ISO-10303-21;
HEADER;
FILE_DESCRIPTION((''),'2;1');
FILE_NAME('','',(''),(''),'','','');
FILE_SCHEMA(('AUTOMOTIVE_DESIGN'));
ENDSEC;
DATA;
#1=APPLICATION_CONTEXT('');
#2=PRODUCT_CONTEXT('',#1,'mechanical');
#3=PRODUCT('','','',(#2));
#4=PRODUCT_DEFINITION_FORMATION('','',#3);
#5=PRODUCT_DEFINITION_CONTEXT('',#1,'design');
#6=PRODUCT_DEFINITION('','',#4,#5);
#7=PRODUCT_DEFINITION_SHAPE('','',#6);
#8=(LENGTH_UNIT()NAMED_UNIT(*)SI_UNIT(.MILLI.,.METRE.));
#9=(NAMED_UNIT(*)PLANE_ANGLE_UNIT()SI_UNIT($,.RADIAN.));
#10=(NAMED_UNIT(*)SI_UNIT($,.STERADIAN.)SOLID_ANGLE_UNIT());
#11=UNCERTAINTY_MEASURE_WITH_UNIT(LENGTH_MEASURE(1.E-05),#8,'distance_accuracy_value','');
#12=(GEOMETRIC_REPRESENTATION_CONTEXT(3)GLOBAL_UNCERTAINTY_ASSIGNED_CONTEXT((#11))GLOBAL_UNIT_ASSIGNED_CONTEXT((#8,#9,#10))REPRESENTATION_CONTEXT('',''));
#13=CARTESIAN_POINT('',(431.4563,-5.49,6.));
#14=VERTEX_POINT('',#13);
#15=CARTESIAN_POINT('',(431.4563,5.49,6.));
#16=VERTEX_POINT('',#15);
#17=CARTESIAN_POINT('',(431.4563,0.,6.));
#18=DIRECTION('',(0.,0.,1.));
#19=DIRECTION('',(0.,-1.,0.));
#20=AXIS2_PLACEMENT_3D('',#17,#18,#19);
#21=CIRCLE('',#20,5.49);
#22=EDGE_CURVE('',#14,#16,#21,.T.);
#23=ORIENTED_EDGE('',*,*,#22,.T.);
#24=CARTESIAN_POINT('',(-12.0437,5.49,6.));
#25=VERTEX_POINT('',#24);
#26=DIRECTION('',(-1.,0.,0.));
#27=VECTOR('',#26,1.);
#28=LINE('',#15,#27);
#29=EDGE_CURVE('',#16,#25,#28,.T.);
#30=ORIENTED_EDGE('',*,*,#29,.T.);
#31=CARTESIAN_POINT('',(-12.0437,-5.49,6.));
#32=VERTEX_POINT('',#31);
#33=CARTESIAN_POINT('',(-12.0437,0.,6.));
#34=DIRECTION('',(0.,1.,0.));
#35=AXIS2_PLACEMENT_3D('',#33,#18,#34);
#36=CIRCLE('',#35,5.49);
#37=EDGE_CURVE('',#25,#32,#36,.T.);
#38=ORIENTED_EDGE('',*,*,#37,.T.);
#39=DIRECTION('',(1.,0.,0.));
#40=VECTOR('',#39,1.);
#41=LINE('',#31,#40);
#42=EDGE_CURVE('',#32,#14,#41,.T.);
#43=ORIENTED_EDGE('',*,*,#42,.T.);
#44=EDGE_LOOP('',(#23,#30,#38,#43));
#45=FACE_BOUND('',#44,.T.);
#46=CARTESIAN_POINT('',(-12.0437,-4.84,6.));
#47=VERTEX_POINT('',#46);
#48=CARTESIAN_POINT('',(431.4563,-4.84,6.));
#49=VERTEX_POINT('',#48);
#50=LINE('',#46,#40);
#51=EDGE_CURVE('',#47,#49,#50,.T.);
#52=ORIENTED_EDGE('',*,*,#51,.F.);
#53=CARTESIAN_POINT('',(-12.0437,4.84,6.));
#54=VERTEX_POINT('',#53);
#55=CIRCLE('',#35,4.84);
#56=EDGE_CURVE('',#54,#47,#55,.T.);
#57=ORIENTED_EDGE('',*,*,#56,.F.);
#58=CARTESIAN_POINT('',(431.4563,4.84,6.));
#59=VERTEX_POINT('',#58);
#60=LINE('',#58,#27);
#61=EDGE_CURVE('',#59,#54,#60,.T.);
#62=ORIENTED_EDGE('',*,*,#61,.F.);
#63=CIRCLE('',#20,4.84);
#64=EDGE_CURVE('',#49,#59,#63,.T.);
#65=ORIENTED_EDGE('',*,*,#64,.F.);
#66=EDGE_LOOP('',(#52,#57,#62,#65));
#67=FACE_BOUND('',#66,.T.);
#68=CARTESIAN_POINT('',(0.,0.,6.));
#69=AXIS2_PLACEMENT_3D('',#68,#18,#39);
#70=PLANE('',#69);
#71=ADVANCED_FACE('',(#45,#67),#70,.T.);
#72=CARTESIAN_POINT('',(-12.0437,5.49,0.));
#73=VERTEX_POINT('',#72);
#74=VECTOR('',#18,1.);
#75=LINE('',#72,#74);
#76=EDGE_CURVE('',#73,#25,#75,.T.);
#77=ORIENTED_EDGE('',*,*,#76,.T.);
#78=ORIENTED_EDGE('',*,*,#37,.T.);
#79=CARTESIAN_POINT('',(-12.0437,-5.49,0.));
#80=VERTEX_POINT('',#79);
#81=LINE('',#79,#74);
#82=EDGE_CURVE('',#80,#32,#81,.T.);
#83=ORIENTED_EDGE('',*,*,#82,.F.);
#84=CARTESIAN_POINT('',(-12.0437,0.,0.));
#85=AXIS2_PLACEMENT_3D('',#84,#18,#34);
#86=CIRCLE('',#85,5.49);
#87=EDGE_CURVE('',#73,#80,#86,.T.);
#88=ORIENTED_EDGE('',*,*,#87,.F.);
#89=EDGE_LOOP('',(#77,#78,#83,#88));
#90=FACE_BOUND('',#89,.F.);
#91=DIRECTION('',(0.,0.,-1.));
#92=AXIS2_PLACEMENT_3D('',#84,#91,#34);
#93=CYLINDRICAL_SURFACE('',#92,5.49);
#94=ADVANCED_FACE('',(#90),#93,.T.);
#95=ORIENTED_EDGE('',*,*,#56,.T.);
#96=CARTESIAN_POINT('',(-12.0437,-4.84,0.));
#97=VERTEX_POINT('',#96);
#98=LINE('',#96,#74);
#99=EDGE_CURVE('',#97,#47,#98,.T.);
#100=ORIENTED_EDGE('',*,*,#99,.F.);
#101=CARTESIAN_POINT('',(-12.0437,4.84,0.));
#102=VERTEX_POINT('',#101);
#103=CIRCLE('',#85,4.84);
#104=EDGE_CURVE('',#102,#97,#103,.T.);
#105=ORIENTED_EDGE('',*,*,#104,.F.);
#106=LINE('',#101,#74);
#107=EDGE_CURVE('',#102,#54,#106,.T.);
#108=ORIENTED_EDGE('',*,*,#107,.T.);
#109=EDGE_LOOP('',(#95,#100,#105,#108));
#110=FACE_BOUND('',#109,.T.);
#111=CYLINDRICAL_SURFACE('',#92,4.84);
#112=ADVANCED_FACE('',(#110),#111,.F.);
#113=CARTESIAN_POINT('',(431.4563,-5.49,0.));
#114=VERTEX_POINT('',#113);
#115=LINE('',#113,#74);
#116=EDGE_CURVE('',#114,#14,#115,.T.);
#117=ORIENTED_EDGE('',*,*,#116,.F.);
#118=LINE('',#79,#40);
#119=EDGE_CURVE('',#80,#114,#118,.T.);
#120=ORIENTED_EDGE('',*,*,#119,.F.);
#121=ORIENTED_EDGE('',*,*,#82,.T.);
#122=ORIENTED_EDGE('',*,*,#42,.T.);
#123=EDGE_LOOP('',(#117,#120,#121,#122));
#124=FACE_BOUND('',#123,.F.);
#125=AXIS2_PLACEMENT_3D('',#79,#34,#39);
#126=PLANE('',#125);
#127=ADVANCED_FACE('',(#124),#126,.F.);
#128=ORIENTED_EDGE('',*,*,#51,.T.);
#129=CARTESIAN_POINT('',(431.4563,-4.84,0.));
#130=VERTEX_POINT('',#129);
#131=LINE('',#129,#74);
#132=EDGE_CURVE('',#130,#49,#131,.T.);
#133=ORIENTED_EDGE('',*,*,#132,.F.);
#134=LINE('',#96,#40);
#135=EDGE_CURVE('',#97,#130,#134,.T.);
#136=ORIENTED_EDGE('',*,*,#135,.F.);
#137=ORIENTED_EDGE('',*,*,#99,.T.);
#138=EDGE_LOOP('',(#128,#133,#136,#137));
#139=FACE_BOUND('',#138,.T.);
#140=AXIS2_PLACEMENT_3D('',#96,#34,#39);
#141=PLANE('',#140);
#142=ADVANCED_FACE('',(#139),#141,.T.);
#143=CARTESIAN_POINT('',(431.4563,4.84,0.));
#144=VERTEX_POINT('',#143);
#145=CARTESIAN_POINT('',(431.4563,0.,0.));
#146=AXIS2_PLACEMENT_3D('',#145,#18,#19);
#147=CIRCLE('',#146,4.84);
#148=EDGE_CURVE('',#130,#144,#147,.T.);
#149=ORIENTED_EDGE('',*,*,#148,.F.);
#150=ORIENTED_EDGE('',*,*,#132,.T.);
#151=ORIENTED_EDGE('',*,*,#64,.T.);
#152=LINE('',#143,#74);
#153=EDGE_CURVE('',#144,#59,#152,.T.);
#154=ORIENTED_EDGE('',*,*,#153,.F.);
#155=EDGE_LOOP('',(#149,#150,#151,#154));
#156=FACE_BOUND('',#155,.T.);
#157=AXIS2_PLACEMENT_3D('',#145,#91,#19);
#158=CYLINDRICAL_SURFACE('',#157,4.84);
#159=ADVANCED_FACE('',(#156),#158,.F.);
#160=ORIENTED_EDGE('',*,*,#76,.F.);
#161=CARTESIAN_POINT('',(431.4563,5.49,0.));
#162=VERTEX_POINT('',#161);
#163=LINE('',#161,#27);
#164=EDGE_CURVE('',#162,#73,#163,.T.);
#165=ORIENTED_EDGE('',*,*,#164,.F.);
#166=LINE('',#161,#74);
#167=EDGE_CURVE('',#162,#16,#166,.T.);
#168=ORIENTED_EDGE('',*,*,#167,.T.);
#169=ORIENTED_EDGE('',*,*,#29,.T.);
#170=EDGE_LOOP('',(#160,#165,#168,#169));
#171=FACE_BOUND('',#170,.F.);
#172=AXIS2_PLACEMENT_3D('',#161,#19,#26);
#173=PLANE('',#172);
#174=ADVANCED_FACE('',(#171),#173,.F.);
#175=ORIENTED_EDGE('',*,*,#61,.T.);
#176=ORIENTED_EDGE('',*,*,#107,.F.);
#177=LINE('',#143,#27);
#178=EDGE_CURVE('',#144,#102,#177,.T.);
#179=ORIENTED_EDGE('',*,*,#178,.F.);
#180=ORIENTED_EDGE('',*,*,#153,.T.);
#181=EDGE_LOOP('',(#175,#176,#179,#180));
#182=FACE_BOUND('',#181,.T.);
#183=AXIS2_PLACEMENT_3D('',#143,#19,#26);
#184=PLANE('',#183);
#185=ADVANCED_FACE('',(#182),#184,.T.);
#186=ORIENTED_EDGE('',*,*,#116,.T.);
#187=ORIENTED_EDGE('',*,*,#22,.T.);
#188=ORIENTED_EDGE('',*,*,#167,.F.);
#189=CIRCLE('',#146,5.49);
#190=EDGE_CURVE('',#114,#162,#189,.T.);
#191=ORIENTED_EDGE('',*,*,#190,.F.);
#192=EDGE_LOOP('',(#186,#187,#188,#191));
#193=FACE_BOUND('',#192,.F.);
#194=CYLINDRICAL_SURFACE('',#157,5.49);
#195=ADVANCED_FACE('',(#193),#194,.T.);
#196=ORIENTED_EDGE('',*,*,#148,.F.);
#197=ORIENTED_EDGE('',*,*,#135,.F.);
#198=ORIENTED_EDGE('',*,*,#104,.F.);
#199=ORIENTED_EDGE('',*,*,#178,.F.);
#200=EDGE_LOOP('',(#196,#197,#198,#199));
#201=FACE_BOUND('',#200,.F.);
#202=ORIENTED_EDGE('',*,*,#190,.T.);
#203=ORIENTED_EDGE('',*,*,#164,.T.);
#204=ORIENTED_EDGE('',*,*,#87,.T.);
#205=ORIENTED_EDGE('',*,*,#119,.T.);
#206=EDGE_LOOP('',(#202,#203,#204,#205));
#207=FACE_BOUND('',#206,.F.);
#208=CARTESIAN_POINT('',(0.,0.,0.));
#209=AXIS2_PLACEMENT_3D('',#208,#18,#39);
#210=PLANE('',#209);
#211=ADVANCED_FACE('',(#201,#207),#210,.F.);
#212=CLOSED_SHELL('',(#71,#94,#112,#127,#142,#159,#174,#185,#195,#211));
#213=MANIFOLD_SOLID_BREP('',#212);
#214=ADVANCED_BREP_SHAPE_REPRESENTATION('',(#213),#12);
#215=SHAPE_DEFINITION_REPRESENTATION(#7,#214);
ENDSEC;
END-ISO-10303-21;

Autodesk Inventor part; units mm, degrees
ref_plane "YZ Plane" through (0, 0, 0) normal (1, 0, 0) x (0, 1, 0)
ref_plane "XZ Plane" through (0, 0, 0) normal (0, 1, 0) x (-1, 0, 0)
ref_plane "XY Plane" through (0, 0, 0) normal (0, 0, 1) x (1, 0, 0)
sketch "Sketch1" plane through (0, 0, 0) normal (0, 0, 1) x (1, 0, 0)
  line L0 (-12.0437, 0) -> (431.4563, 0) construction
  line L1 (-12.0437, -4.84) -> (431.4563, -4.84)
  line L2 (431.4563, 4.84) -> (-12.0437, 4.84)
  arc A0 (-12.0437, 4.84) -> (-12.0437, -4.84) centre (-12.0437, 0) ccw
  arc A1 (431.4563, -4.84) -> (431.4563, 4.84) centre (431.4563, 0) ccw
  line L3 (-12.0437, -5.49) -> (431.4563, -5.49)
  arc A2 (431.4563, -5.49) -> (431.4563, 5.49) centre (431.4563, 0) ccw
  line L4 (431.4563, 5.49) -> (-12.0437, 5.49)
  arc A3 (-12.0437, 5.49) -> (-12.0437, -5.49) centre (-12.0437, 0) ccw
  point P0 (0, 0)
  point P1 (209.7063, 0)
  dimension "d0" = 443.5
  dimension "d1" = 9.68
  dimension "d2" = 0.65
extrude "Extrusion1" add sketch "Sketch1" along normal blind 6
properties part number "COTS_GENERIC_GT2_Timing_belt_6mm_X_axis"
